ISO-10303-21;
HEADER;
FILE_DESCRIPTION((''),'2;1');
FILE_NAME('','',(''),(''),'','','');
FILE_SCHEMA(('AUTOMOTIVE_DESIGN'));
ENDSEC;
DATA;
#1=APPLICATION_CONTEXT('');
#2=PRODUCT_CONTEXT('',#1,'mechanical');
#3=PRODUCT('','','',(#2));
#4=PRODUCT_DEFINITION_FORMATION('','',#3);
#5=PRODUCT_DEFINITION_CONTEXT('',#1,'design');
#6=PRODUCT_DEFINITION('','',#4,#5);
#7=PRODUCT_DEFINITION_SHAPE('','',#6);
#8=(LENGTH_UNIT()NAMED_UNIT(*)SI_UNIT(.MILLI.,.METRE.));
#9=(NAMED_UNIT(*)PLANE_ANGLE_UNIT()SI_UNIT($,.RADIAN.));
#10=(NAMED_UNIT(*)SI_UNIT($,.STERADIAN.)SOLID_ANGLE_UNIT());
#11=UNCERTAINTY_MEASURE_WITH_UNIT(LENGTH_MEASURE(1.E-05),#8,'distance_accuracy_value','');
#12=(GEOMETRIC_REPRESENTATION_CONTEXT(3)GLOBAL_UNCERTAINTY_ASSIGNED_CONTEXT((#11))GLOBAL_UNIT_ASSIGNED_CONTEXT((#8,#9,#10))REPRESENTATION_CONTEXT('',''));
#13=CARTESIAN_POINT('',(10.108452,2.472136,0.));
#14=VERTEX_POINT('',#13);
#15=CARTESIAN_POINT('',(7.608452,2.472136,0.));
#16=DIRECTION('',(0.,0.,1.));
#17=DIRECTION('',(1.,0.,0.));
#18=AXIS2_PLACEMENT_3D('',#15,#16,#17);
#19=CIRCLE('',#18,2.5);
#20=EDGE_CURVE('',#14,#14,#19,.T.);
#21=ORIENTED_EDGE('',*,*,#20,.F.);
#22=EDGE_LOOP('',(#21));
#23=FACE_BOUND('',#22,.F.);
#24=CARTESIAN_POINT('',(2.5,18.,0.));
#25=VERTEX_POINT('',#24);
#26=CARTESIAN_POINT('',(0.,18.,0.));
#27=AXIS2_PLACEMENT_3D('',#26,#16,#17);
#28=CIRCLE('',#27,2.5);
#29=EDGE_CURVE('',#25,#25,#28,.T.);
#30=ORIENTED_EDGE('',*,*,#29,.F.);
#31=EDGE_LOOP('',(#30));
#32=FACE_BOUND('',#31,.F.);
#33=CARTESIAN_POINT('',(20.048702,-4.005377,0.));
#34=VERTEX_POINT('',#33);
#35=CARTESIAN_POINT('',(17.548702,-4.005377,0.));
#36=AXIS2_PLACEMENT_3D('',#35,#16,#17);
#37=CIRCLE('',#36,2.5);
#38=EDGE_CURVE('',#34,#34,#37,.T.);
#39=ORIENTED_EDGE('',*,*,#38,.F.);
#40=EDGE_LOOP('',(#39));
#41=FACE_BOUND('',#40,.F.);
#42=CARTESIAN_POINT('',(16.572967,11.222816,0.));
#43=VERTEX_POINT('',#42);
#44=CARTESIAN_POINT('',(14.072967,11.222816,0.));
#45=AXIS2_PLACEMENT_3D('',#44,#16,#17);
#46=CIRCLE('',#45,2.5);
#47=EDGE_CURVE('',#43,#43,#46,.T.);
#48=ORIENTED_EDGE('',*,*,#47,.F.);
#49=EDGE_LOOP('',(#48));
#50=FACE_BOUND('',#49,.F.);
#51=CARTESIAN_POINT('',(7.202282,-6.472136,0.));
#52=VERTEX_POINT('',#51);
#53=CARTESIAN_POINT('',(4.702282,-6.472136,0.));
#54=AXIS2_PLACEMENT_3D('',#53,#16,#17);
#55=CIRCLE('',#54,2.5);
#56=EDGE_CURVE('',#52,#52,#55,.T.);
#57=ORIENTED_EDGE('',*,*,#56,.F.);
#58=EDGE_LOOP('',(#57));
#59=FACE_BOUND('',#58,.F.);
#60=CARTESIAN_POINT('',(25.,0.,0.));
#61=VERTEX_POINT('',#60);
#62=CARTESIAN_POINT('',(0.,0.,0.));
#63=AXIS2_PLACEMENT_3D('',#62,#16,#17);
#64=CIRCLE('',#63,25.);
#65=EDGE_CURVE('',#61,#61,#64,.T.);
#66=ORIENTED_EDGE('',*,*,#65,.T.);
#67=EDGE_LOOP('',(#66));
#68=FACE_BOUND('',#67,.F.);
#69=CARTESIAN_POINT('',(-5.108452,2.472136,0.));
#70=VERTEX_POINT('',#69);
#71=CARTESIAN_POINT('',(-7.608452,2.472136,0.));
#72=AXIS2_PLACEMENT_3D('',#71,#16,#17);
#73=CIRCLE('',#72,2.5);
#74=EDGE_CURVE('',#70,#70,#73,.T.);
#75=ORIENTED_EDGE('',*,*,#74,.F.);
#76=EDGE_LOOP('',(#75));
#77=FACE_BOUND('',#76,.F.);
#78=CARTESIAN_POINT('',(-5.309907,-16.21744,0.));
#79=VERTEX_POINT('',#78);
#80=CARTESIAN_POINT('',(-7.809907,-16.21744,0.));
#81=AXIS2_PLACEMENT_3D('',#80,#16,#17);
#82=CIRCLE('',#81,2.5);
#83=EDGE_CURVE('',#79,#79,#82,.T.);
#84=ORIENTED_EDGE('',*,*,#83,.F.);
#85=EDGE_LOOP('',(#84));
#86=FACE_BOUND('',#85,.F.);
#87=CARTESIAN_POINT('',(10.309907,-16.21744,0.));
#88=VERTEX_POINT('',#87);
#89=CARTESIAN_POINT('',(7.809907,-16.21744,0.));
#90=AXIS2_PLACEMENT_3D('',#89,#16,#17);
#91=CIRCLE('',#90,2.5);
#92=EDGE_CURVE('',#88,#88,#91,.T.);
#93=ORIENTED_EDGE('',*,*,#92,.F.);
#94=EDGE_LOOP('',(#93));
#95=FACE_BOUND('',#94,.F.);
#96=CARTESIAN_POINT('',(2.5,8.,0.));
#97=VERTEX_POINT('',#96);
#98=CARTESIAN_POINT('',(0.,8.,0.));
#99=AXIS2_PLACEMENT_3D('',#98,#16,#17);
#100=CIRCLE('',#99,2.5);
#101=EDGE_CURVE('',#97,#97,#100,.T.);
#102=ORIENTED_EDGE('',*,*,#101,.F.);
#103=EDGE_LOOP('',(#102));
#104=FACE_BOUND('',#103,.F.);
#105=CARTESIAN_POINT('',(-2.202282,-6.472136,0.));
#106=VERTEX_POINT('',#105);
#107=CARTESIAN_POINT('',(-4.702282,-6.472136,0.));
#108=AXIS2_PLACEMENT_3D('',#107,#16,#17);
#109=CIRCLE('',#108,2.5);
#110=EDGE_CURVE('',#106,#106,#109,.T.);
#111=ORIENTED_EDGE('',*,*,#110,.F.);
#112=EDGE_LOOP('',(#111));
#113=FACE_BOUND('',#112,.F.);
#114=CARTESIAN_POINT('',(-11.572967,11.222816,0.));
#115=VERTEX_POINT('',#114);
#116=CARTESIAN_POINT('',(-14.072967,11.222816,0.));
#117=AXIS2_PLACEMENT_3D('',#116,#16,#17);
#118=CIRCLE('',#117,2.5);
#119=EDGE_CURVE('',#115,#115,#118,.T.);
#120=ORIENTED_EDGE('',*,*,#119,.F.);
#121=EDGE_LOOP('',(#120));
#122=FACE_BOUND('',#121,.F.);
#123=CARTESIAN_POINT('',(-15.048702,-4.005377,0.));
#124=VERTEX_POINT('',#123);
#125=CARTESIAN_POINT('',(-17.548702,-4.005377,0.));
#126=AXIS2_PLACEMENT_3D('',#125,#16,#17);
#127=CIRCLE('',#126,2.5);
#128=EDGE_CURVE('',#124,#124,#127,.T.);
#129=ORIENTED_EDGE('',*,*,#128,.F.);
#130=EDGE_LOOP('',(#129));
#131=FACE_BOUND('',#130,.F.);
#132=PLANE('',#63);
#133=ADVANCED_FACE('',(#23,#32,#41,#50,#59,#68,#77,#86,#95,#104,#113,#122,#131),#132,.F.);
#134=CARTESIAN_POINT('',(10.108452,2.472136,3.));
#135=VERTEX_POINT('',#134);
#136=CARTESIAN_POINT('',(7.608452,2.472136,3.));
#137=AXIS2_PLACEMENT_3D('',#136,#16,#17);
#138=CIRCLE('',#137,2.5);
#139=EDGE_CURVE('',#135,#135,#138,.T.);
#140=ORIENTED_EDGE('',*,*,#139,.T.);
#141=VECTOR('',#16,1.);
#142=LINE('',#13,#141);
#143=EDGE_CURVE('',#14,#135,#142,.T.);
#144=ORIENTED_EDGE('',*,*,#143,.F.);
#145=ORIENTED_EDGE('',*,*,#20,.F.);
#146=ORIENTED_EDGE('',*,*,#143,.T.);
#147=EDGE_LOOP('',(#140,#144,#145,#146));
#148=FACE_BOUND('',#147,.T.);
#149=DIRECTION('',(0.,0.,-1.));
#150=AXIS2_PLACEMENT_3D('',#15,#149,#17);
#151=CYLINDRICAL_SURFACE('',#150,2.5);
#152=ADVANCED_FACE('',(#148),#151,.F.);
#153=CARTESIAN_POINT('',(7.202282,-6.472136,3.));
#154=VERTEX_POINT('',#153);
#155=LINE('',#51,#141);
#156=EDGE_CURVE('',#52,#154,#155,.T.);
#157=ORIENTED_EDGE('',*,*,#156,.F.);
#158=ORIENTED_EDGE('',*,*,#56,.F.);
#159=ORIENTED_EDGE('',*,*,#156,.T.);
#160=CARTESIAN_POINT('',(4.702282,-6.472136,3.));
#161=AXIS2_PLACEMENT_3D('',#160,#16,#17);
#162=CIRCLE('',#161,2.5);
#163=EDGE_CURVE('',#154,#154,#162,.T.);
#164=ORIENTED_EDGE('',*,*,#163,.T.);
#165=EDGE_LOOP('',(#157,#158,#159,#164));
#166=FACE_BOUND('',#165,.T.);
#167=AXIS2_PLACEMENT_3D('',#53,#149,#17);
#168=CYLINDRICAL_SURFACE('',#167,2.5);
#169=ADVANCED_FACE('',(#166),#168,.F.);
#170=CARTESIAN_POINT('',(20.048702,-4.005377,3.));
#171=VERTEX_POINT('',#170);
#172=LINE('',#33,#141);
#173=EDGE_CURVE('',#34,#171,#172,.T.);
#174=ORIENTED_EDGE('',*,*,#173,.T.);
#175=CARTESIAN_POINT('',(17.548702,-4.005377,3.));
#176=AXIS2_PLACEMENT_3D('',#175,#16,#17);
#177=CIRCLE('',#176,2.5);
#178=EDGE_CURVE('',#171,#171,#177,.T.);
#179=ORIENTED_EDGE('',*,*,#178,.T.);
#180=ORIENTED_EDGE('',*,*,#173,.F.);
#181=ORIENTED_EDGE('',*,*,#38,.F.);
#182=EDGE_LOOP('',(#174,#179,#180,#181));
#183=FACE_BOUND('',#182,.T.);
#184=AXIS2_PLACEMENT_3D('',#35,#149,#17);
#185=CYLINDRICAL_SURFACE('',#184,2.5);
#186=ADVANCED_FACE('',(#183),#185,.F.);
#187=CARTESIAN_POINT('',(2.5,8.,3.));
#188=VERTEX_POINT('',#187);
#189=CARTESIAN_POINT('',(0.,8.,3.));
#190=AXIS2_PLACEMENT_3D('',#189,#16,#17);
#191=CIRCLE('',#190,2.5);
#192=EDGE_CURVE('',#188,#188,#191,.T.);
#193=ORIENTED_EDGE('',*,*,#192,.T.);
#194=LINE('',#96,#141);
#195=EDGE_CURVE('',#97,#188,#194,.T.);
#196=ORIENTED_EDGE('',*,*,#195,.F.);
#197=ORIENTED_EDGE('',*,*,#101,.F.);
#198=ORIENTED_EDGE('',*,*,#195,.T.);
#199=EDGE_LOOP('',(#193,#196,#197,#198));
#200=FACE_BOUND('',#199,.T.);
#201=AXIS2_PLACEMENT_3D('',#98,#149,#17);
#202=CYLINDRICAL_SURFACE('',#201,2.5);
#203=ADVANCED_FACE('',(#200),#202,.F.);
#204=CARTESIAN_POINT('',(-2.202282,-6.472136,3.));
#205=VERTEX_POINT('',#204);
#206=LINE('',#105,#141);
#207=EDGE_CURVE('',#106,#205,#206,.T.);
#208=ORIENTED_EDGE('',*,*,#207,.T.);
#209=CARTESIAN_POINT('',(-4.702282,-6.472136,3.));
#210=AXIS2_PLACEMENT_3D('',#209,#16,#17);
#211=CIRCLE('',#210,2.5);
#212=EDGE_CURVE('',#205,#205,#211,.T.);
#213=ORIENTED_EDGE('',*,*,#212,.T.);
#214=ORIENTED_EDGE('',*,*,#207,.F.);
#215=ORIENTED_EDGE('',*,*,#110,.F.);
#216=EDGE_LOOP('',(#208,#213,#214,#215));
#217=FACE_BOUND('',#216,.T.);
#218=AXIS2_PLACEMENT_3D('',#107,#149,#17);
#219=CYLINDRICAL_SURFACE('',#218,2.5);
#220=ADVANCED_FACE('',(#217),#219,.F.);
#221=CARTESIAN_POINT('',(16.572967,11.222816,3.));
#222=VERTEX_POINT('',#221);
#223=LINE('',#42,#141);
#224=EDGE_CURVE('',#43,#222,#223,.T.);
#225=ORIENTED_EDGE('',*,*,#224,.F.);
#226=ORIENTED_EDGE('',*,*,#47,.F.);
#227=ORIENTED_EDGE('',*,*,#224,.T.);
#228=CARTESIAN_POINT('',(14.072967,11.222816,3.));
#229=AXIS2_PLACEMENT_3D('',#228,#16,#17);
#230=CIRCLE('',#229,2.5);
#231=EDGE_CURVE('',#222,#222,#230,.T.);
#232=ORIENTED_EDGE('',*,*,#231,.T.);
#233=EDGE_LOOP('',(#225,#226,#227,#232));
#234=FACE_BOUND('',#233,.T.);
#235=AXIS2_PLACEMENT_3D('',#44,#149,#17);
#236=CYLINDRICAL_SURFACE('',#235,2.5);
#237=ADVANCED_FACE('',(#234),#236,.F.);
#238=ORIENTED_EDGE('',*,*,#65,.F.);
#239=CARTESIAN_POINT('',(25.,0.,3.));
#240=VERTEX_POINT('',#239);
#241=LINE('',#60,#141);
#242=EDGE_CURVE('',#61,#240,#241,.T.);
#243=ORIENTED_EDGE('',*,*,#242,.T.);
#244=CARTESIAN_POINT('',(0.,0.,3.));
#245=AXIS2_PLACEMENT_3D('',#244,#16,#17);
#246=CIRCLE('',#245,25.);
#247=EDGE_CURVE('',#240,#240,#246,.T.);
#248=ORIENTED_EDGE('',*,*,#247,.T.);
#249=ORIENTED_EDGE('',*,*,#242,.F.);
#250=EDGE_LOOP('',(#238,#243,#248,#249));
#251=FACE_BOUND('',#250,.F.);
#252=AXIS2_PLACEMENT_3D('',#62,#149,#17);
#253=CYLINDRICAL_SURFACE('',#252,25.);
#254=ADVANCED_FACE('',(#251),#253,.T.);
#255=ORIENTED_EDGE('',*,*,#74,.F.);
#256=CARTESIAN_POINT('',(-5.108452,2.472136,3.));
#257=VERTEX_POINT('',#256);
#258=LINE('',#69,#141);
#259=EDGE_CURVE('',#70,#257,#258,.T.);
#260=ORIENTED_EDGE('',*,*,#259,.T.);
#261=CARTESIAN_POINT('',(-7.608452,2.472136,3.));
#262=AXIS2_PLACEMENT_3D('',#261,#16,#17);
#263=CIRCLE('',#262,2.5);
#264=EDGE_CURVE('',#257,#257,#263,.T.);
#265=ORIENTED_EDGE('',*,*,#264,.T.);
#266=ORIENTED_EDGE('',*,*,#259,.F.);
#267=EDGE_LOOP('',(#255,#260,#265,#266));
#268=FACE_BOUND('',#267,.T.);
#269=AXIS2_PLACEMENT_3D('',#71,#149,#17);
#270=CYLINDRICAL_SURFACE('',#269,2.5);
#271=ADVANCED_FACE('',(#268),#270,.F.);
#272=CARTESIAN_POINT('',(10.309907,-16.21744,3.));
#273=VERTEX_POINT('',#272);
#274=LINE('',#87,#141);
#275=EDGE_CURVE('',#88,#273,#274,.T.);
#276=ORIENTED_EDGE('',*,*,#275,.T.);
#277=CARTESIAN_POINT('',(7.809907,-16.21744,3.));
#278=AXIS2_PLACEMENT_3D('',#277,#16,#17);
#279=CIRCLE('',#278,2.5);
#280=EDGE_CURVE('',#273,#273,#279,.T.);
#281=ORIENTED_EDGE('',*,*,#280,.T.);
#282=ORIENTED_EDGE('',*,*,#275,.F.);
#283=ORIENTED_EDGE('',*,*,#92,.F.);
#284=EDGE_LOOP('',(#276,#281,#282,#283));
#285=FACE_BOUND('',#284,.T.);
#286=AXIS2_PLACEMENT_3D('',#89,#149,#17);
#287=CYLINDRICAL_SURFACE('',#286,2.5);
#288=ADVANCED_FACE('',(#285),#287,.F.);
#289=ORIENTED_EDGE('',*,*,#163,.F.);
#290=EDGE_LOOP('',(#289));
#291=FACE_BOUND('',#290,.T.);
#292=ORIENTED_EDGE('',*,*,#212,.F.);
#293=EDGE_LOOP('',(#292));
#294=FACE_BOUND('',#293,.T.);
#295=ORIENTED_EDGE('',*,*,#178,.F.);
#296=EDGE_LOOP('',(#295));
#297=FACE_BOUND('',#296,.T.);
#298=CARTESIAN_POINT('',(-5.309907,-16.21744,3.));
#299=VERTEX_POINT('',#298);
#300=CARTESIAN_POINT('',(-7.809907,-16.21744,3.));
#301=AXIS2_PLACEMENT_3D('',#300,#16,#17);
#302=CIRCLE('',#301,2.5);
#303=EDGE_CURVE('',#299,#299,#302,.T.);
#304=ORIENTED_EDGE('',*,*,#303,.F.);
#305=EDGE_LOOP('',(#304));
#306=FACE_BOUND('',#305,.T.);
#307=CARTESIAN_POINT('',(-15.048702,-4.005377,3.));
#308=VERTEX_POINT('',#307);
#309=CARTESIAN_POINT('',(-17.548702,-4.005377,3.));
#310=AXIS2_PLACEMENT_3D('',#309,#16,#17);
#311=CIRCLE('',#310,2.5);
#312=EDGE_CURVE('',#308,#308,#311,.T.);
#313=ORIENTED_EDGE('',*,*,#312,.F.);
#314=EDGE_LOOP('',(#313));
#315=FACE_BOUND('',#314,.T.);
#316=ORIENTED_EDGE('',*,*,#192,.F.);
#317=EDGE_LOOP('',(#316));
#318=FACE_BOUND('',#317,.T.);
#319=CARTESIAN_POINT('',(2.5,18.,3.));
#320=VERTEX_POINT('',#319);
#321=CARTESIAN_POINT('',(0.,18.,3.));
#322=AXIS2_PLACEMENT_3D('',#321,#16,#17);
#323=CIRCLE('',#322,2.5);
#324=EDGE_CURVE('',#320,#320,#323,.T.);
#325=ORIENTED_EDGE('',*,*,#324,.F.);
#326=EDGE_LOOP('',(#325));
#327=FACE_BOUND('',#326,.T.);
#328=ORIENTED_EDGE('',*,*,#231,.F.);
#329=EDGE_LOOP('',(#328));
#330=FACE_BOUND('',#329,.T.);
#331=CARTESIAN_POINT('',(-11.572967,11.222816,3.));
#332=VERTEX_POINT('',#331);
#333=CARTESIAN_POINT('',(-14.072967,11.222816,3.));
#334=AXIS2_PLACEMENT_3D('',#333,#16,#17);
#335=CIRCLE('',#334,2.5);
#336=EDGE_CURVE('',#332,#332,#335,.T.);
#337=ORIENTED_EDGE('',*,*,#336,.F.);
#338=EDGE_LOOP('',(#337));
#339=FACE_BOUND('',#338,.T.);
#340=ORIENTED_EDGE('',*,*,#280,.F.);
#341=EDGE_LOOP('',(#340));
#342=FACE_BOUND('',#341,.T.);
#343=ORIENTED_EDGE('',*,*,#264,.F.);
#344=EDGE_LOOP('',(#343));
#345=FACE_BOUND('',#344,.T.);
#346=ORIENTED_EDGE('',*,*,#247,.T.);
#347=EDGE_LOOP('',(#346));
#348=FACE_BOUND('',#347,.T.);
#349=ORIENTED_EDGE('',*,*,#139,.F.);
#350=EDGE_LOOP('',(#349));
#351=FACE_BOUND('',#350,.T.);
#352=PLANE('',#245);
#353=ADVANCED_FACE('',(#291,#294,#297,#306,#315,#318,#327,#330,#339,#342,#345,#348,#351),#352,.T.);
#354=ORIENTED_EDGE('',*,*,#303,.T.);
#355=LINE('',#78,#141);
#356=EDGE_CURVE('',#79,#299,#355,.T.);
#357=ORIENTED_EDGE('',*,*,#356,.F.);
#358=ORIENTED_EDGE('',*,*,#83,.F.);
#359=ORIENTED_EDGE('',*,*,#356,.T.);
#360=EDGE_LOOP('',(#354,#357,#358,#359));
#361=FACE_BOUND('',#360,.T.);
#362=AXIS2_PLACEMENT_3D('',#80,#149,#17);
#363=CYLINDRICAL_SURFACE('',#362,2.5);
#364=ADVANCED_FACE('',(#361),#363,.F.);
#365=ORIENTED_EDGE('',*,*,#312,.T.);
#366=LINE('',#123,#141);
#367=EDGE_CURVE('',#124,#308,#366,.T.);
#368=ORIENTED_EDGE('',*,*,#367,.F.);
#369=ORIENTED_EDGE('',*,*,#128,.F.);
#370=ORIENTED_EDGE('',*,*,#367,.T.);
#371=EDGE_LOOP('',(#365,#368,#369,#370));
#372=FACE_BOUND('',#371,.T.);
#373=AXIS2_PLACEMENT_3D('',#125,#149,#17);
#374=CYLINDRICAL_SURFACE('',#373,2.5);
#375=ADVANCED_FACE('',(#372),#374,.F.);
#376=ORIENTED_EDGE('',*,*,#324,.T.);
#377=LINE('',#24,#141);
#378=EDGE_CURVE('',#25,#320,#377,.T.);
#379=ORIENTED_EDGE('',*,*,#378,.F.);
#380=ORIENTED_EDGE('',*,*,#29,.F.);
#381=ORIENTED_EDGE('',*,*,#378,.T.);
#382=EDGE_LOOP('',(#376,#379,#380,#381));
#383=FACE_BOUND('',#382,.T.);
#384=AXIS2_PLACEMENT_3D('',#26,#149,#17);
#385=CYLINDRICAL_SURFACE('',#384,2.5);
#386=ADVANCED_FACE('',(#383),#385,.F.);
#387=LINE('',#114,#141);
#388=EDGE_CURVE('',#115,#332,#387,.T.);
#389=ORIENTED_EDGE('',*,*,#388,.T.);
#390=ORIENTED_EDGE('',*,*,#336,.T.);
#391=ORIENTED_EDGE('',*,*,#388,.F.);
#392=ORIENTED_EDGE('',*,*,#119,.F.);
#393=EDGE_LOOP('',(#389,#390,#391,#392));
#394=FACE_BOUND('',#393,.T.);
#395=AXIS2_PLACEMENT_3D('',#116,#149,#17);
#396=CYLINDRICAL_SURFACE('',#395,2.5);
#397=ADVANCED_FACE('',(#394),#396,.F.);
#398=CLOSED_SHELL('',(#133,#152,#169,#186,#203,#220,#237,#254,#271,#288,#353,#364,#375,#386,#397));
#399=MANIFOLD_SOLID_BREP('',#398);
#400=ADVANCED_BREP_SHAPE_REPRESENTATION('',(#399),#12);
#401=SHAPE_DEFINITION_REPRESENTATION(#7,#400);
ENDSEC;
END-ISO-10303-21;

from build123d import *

# Parameters (mm, degrees)
F0_R     = 25
F0_R_2   = 2.5
F1_DEPTH = 3


with BuildPart() as f1:
    # F0 (on Top) → F1 (new body)
    with BuildSketch(Plane.XY):
        Circle(F0_R)
        with Locations((-7.809907, -16.21744)):
            Circle(F0_R_2, mode=Mode.SUBTRACT)
        with Locations((-17.548702, -4.005377)):
            Circle(F0_R_2, mode=Mode.SUBTRACT)
        with Locations((-4.702282, -6.472136)):
            Circle(F0_R_2, mode=Mode.SUBTRACT)
        with Locations((7.809907, -16.21744)):
            Circle(F0_R_2, mode=Mode.SUBTRACT)
        with Locations((4.702282, -6.472136)):
            Circle(F0_R_2, mode=Mode.SUBTRACT)
        with Locations((17.548702, -4.005377)):
            Circle(F0_R_2, mode=Mode.SUBTRACT)
        with Locations((-14.072967, 11.222816)):
            Circle(F0_R_2, mode=Mode.SUBTRACT)
        with Locations((-7.608452, 2.472136)):
            Circle(F0_R_2, mode=Mode.SUBTRACT)
        with Locations((7.608452, 2.472136)):
            Circle(F0_R_2, mode=Mode.SUBTRACT)
        with Locations((0, 8)):
            Circle(F0_R_2, mode=Mode.SUBTRACT)
        with Locations((14.072967, 11.222816)):
            Circle(F0_R_2, mode=Mode.SUBTRACT)
        with Locations((0, 18)):
            Circle(F0_R_2, mode=Mode.SUBTRACT)
    extrude(amount=F1_DEPTH)


solid = f1.part
